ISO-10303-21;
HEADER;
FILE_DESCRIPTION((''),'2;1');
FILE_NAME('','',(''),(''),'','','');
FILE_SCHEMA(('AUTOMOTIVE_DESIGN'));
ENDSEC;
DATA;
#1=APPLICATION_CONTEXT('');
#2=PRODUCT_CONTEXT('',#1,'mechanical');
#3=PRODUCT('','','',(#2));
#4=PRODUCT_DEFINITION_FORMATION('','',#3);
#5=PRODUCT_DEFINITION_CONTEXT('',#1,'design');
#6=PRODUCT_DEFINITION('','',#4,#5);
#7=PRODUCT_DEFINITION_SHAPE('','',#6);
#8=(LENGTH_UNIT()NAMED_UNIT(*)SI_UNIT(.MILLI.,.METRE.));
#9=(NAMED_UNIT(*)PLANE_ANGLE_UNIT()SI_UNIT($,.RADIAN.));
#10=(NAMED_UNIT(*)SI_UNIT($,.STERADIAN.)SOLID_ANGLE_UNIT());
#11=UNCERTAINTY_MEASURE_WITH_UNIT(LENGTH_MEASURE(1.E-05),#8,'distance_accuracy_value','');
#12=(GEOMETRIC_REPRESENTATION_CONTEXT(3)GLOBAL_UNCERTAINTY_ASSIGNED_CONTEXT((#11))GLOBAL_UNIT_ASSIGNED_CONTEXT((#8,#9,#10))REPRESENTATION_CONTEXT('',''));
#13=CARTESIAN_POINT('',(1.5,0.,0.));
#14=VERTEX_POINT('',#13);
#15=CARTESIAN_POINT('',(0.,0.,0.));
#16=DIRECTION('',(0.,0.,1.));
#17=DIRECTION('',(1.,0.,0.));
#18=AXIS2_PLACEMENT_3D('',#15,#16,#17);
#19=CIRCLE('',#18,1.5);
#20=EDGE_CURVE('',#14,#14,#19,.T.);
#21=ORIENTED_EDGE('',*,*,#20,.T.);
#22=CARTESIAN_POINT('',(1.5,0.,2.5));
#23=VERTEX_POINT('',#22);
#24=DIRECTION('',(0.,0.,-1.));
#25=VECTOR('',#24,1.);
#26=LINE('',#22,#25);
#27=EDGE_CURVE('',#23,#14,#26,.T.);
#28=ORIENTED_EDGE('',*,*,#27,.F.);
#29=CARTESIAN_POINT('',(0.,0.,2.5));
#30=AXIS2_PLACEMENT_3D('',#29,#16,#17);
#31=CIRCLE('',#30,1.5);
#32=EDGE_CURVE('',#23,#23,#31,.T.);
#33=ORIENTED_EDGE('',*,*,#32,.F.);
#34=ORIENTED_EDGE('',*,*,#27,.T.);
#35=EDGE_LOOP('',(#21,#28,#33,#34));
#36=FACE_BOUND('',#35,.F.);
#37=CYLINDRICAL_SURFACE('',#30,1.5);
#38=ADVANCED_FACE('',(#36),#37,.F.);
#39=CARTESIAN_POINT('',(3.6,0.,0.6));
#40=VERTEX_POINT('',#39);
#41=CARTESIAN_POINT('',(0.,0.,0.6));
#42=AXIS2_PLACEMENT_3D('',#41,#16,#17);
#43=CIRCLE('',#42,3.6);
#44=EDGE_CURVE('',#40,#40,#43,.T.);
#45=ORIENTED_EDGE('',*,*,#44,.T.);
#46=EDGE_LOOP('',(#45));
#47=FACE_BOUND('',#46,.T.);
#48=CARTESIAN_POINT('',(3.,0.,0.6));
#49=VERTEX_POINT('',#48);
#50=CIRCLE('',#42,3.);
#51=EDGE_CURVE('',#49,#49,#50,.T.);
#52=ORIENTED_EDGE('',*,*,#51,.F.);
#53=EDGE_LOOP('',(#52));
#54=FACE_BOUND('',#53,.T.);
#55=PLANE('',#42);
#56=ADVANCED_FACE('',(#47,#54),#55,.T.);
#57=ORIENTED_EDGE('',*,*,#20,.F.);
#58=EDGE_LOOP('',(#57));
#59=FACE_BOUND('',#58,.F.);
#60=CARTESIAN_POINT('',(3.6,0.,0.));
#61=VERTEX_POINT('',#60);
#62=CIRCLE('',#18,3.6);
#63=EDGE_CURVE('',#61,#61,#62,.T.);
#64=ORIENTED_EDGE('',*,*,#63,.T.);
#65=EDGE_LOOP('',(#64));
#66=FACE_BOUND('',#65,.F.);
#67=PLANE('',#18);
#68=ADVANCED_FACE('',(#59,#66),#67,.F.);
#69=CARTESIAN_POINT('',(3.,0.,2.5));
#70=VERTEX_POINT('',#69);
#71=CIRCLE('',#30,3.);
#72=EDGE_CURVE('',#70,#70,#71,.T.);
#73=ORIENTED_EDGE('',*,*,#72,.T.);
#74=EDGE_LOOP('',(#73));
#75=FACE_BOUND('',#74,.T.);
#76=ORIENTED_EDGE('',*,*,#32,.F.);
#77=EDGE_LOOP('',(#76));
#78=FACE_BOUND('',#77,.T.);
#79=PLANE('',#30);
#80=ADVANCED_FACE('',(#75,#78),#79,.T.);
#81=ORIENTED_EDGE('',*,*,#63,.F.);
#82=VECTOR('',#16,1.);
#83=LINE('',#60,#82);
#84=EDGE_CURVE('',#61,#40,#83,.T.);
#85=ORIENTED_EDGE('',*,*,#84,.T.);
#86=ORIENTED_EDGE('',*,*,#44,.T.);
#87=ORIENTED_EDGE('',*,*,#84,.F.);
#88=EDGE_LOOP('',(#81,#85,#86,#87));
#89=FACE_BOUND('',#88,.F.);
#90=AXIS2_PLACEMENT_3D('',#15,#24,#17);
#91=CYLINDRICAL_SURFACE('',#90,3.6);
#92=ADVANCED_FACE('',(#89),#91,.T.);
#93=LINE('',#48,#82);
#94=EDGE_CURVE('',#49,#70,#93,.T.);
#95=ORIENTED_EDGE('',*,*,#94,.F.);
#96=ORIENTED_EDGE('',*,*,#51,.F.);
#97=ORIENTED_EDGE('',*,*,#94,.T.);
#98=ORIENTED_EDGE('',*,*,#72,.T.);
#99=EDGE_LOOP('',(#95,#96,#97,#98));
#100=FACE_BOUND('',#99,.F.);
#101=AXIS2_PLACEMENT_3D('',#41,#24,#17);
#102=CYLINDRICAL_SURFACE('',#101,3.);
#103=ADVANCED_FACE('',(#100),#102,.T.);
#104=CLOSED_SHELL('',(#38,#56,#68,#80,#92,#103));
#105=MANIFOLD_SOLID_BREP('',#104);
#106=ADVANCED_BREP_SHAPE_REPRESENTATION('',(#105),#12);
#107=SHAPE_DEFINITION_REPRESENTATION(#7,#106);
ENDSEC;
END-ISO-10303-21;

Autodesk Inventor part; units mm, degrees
ref_plane "YZ Plane" through (0, 0, 0) normal (1, 0, 0) x (0, 1, 0)
ref_plane "XZ Plane" through (0, 0, 0) normal (0, 1, 0) x (-1, 0, 0)
ref_plane "XY Plane" through (0, 0, 0) normal (0, 0, 1) x (1, 0, 0)
sketch "スケッチ1" plane through (0, 0, 0) normal (0, 0, 1) x (1, 0, 0)
  circle A0 centre (0, 0) radius 3.6
  dimension "d0" = 7.2
extrude "押し出し1" add sketch "スケッチ1" along normal blind 0.6
sketch "スケッチ2" plane through (0, 0, 0.6) normal (0, 0, 1) x (1, 0, 0)
  circle A0 centre (0, 0) radius 3
  dimension "d3" = 6
extrude "押し出し2" add sketch "スケッチ2" along normal blind 1.9
sketch "スケッチ3" plane through (0, 0, 2.5) normal (0, 0, 1) x (1, 0, 0)
  circle A0 centre (0, 0) radius 1.5
  dimension "d6" = 3
extrude "押し出し3" cut sketch "スケッチ3" against normal through all
properties part number "ベアリング2"
